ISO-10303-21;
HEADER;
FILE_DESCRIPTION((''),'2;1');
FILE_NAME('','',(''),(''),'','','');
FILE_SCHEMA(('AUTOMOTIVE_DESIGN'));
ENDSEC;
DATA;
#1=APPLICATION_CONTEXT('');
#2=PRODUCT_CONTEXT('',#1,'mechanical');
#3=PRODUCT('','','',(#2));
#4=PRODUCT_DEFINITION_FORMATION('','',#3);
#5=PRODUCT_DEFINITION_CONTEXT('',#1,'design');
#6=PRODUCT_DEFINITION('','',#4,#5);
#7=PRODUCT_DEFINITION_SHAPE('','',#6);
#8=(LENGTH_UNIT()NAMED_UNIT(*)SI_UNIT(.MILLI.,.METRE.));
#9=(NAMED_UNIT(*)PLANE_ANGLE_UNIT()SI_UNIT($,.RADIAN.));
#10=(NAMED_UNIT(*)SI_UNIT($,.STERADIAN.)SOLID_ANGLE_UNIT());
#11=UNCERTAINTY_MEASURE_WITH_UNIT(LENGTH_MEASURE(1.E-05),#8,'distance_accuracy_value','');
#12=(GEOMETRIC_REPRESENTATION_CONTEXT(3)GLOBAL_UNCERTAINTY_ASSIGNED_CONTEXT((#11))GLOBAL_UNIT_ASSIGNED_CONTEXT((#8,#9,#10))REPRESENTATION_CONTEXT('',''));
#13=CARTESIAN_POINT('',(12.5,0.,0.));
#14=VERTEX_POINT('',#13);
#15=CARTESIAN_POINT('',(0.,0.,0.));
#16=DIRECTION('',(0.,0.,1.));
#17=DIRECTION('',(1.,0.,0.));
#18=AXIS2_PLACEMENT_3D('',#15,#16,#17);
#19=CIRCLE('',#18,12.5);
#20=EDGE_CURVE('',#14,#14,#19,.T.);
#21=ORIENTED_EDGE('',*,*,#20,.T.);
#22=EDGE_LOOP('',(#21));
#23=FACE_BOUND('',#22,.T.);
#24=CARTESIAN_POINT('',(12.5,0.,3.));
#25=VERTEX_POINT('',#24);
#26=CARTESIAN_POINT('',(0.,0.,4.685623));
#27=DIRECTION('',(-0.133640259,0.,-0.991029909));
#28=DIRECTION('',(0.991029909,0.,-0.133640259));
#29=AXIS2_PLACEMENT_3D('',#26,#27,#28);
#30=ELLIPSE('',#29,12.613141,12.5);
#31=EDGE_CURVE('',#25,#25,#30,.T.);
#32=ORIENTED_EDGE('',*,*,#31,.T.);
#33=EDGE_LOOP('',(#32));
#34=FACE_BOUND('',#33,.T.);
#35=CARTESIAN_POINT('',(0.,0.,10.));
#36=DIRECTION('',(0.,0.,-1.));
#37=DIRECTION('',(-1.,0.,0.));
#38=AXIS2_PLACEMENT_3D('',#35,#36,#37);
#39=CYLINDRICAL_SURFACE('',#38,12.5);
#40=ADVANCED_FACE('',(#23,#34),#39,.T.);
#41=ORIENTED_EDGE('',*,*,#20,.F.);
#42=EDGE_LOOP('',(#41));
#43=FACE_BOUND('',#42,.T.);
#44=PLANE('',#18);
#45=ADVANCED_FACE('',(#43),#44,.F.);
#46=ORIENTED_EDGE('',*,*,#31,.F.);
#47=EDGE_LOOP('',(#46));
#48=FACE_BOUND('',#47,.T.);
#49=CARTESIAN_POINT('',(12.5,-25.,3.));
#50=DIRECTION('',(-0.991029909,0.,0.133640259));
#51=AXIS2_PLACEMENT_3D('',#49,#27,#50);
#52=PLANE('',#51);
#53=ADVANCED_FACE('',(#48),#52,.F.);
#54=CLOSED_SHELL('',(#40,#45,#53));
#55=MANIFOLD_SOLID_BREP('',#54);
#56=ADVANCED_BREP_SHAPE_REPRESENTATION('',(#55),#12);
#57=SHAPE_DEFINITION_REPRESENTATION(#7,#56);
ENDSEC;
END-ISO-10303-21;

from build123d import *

# Parameters (mm, degrees)
SKETCH_1_R          = 12.5
EXTRUDE_1_DEPTH     = 10
CUT_EXTRUDE_1_DEPTH = 25


with BuildPart() as part:
    # 草图1 → 凸台-拉伸1 (new body)
    with BuildSketch(Plane.XY):
        Circle(SKETCH_1_R)
    extrude(amount=EXTRUDE_1_DEPTH)

    # 草图2 → 切除-拉伸1 (cut, symmetric)
    with BuildSketch(Plane(origin=(0, 0, 0), x_dir=(1, 0, 0), z_dir=(0, 1, 0))):
        Polygon((12.5, -3), (-16.380737105, -6.894563773), (-16.380737105, -17.832396763), (18.028093977, -17.832396763), (18.028093977, -3), align=None)
    extrude(amount=CUT_EXTRUDE_1_DEPTH, both=True, mode=Mode.SUBTRACT)


solid = part.part
